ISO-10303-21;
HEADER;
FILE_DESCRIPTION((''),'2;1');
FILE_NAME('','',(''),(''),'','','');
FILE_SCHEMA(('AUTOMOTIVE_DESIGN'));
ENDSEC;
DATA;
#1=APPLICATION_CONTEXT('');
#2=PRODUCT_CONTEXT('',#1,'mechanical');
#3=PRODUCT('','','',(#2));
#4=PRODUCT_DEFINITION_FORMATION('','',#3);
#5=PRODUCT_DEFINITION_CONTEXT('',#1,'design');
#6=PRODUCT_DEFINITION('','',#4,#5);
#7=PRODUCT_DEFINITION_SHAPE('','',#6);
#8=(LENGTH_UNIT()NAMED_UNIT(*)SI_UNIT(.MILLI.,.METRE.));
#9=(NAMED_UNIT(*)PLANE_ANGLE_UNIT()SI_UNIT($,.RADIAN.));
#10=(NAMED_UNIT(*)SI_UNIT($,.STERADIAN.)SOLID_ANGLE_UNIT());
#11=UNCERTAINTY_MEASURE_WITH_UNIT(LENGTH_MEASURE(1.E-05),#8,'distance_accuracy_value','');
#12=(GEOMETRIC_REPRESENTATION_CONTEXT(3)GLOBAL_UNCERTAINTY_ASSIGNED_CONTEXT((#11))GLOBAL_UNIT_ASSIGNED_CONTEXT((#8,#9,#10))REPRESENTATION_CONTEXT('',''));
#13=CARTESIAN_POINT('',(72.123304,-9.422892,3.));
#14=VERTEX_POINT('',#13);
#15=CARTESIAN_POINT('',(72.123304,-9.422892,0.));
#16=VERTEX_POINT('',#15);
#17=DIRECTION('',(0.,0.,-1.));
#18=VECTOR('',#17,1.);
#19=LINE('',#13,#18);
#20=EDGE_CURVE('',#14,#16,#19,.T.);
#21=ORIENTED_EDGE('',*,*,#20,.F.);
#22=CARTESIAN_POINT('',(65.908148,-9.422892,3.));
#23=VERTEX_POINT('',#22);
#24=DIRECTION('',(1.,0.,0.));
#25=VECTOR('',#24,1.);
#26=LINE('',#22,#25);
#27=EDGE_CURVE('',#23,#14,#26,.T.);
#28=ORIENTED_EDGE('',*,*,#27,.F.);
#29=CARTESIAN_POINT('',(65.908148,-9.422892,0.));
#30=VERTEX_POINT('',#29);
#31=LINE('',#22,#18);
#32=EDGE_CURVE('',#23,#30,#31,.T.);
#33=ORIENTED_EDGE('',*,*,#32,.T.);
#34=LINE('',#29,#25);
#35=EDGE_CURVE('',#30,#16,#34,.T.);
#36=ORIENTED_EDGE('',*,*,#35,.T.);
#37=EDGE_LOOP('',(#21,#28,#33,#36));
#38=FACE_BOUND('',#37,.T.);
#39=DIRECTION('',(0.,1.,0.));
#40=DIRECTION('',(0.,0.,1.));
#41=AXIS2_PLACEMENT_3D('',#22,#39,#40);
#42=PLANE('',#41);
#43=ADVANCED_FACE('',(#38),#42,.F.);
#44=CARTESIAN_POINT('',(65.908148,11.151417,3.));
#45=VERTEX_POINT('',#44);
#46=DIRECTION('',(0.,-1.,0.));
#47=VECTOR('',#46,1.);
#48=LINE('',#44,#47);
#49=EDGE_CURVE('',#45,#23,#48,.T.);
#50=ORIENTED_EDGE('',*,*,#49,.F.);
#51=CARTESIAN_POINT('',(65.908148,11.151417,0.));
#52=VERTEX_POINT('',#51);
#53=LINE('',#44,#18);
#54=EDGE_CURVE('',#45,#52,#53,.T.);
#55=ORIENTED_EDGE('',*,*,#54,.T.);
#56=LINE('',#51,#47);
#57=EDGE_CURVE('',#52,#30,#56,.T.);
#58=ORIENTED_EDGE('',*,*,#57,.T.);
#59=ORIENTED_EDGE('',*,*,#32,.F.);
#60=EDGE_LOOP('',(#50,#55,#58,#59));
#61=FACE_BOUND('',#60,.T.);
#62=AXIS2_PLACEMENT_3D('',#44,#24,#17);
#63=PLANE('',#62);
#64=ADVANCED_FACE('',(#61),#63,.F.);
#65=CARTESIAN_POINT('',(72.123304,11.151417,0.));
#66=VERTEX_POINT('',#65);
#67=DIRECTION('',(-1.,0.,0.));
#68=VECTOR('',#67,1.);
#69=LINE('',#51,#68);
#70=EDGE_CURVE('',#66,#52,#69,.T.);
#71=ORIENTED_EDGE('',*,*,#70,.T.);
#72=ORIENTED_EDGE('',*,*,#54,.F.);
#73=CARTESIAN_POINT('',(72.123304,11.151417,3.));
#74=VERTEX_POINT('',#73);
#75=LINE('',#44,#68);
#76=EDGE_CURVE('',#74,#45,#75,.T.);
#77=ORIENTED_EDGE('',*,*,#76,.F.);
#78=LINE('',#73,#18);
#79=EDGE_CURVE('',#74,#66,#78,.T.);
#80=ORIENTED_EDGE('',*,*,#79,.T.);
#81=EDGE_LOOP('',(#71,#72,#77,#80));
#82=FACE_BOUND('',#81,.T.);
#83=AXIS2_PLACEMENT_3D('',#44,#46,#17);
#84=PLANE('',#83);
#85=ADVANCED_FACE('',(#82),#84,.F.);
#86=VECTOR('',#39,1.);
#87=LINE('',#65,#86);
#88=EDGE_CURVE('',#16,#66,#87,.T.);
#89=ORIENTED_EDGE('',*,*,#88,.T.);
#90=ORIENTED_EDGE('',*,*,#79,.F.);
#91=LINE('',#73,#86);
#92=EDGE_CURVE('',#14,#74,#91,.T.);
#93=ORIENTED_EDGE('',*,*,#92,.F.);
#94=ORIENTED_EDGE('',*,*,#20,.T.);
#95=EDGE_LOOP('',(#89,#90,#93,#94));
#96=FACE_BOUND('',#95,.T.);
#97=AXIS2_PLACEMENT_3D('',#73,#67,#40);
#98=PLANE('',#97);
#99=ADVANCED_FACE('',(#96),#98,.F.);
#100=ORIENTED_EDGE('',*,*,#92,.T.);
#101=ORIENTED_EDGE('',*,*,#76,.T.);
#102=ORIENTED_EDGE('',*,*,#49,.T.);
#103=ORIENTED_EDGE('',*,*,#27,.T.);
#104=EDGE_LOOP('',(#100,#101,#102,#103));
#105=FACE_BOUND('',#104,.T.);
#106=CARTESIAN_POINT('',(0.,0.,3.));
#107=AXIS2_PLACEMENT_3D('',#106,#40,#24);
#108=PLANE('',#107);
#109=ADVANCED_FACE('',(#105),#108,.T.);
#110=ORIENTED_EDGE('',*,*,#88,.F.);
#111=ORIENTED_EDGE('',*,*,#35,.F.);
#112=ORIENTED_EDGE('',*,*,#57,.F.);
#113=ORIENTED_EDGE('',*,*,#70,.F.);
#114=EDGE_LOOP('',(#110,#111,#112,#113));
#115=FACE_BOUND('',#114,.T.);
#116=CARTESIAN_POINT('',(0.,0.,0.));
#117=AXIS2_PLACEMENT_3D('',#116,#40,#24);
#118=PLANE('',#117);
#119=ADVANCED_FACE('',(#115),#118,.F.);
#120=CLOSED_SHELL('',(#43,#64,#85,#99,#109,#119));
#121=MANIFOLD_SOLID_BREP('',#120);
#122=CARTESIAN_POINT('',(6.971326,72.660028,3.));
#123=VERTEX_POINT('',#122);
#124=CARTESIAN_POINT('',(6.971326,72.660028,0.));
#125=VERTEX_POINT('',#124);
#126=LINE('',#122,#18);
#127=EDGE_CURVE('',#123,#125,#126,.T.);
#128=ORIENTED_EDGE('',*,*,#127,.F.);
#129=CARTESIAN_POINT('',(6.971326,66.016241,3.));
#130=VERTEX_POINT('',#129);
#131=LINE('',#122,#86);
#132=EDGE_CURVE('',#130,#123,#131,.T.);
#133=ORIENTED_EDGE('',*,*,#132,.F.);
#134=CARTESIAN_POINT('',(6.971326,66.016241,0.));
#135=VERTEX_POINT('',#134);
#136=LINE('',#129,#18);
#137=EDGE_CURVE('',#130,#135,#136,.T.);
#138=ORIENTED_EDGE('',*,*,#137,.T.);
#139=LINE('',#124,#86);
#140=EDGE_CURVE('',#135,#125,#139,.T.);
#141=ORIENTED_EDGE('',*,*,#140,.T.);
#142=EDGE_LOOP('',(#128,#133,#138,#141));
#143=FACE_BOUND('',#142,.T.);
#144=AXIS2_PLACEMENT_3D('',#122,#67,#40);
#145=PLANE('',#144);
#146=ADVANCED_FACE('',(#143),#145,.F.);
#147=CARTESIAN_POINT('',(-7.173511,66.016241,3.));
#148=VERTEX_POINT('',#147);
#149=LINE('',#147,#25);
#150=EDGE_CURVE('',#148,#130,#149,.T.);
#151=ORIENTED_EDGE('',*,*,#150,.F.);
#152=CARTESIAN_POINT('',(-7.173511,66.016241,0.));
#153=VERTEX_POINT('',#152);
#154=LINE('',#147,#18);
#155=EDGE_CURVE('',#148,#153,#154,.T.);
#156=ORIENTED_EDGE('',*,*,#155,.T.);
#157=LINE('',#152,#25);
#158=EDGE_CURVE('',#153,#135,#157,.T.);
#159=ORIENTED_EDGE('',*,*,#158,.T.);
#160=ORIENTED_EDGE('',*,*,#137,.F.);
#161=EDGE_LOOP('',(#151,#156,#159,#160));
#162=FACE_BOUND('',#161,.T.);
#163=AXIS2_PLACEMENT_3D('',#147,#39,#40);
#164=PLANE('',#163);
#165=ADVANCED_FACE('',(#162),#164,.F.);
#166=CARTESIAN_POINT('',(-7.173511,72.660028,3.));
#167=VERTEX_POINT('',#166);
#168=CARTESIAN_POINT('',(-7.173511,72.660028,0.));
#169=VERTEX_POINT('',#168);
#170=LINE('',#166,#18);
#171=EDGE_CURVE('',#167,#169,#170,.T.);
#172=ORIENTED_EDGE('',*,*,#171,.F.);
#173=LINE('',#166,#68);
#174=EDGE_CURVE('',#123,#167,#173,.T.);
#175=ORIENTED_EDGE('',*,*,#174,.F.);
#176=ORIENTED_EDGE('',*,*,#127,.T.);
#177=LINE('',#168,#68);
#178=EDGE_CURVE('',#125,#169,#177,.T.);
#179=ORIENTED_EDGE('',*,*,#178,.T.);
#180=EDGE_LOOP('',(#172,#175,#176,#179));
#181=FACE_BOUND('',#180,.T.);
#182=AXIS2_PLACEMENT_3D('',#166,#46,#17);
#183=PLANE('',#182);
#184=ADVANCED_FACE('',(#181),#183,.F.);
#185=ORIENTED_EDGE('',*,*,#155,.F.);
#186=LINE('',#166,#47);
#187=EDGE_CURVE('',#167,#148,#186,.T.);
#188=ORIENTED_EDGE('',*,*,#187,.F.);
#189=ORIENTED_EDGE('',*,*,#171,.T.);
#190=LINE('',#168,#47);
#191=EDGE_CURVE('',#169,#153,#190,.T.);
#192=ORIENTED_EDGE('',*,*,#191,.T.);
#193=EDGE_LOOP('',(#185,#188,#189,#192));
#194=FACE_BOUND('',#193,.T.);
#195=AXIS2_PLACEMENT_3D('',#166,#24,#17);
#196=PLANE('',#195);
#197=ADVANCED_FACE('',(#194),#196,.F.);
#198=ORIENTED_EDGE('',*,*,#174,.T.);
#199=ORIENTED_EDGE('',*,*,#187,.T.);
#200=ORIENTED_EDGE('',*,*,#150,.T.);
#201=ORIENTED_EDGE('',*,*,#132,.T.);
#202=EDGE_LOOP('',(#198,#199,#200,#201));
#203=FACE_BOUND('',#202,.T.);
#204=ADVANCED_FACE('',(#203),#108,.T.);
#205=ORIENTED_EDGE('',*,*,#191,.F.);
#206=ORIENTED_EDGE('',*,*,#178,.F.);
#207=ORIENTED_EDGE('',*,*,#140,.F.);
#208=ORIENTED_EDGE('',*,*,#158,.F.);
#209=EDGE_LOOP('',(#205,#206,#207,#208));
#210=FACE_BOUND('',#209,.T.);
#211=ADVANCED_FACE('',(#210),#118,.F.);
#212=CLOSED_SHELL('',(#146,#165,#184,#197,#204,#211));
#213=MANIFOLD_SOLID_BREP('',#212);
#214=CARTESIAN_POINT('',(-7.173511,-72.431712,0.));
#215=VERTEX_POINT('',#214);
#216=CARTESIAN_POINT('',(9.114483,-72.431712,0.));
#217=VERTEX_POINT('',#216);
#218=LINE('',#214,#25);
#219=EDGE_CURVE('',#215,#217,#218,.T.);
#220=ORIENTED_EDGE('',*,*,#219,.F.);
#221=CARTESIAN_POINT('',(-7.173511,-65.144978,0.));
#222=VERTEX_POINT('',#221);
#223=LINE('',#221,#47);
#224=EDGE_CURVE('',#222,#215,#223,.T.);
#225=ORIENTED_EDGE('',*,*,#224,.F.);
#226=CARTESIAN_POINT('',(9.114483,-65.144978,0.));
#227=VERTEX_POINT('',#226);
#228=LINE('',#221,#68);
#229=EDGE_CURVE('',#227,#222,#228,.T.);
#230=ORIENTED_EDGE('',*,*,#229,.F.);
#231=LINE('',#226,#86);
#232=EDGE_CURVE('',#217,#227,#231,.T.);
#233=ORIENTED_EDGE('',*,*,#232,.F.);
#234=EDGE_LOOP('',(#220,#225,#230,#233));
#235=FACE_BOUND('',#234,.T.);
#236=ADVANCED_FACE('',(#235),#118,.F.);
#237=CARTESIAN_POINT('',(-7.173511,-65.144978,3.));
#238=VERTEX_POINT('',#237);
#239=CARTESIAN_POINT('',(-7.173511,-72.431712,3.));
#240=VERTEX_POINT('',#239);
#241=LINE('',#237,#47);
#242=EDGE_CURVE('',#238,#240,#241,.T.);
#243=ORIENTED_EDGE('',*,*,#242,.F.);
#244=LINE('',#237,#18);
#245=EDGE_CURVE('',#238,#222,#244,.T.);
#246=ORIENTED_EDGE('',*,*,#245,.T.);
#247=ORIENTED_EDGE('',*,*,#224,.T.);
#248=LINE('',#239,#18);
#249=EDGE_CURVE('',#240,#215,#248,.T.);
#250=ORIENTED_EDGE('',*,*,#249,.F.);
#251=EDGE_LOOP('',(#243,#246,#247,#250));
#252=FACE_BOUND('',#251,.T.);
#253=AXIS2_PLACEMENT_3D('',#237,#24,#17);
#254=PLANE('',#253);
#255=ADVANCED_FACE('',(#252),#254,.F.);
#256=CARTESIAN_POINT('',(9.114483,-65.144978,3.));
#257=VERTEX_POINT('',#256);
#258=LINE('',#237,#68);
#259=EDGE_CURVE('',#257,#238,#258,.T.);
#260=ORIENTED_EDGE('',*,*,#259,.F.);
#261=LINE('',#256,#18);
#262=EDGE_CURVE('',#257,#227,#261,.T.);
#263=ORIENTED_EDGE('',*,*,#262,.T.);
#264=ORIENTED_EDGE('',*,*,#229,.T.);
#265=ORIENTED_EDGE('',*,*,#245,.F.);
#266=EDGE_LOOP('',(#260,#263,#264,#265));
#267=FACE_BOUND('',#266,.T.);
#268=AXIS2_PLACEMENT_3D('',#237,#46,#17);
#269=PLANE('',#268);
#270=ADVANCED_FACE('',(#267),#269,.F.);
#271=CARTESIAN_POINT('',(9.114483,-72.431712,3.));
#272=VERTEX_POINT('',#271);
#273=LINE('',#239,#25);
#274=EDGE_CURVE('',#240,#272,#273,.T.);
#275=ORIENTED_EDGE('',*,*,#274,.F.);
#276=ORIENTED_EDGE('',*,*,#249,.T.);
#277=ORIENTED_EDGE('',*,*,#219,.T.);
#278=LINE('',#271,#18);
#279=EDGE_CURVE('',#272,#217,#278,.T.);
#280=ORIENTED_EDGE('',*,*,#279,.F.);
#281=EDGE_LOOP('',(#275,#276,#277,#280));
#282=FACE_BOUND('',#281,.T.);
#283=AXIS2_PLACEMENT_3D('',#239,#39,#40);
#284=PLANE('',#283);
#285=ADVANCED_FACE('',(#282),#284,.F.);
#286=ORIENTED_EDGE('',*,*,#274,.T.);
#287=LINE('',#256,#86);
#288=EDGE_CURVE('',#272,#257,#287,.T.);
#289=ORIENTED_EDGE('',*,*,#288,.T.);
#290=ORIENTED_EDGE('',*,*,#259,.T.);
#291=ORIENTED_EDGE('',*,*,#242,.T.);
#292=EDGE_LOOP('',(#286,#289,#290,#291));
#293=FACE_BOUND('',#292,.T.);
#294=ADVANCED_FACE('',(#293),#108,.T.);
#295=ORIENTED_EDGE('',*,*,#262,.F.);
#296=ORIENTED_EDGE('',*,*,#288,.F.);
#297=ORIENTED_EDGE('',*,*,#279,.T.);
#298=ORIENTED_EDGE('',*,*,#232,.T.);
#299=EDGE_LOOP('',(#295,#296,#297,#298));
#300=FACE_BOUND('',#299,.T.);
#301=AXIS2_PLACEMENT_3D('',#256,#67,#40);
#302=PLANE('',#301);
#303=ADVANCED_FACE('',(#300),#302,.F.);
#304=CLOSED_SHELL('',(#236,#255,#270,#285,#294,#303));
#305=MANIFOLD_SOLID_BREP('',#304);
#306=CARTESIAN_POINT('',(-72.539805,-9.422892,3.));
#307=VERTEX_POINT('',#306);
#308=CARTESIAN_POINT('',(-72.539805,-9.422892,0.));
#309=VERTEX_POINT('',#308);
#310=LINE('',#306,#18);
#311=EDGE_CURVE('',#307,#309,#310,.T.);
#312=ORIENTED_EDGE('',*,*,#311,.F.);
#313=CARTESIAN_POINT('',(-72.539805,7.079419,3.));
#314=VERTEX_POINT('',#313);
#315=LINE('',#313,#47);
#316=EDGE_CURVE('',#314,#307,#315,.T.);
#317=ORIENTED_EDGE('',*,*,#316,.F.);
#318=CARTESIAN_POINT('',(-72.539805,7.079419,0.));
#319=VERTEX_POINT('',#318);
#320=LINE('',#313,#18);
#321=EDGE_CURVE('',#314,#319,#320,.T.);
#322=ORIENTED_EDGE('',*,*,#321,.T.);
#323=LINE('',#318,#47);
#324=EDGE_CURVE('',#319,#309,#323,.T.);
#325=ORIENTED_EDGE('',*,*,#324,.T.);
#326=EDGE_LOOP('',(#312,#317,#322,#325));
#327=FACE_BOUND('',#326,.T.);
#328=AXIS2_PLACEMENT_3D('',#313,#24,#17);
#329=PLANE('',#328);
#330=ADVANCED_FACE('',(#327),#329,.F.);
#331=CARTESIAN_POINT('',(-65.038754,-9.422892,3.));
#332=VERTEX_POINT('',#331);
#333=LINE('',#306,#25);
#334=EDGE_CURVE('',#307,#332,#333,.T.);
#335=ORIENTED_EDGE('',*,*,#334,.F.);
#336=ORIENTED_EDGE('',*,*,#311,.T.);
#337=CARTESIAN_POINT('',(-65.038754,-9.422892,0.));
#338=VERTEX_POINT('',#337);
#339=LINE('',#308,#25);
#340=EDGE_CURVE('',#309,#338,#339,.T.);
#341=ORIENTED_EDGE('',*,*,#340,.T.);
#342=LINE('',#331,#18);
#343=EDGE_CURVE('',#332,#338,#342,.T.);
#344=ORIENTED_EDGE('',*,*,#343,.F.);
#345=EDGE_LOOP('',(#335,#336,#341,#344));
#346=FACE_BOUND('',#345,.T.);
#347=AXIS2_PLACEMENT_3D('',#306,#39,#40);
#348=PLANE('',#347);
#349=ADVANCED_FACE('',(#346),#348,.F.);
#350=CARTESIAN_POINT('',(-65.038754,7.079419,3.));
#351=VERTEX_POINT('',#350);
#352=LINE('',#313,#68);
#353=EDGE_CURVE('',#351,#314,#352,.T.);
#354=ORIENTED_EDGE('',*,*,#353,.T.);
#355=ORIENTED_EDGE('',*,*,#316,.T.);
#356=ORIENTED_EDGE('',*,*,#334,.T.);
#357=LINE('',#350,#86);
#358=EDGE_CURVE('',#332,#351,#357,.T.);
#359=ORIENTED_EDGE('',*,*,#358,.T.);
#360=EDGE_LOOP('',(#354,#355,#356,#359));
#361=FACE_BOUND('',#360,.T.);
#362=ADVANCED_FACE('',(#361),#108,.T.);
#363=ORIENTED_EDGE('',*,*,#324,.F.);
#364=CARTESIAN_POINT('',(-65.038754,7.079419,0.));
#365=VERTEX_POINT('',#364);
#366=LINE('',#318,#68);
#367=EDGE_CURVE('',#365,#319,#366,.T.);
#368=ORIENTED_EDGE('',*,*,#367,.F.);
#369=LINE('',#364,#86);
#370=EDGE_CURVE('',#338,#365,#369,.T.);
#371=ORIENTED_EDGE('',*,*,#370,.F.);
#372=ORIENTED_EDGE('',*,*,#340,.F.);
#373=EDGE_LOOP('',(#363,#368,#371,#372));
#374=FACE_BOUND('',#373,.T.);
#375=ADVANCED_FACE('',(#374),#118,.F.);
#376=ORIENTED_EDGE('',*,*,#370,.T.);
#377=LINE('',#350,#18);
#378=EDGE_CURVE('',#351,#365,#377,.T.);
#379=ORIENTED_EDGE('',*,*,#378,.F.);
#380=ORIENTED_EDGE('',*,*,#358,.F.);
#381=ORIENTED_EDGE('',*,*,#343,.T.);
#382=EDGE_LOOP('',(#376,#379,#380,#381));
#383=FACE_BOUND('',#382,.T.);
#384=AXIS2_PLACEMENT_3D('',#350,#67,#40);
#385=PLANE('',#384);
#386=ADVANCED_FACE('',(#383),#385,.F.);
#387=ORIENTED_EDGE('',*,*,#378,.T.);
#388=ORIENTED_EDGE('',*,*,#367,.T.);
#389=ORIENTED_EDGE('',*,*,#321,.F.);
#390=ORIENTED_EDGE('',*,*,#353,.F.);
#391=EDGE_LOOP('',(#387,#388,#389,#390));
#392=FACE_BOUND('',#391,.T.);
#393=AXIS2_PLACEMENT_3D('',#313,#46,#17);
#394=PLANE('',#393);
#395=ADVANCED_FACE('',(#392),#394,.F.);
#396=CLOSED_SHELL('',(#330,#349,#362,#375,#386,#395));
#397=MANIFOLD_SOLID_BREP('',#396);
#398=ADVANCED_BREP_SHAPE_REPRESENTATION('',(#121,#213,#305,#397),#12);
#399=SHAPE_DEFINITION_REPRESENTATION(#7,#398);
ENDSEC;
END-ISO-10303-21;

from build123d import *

# Parameters (mm, degrees)
ESQUISSE2_W          = 14.14483726
ESQUISSE2_H          = 6.643787198
BOSS_EXTRU_1_DEPTH   = 3
ESQUISSE2_W_2        = 7.501050062
ESQUISSE2_H_2        = 16.502310136
BOSS_EXTRU_1_2_DEPTH = 3
ESQUISSE2_W_3        = 6.215155766
ESQUISSE2_H_3        = 20.574308742
BOSS_EXTRU_1_3_DEPTH = 3
ESQUISSE2_W_4        = 16.28799442
ESQUISSE2_H_4        = 7.286734346
BOSS_EXTRU_1_4_DEPTH = 3


with BuildPart() as part:
    # Esquisse2 → Boss.-Extru.1 (new body)
    with BuildSketch(Plane.XY):
        with Locations((-0.101092489, 69.338134115)):
            Rectangle(ESQUISSE2_W, ESQUISSE2_H)
    extrude(amount=BOSS_EXTRU_1_DEPTH)


with BuildPart() as body_2:
    # Esquisse2 → Boss.-Extru.1 2 (new body)
    with BuildSketch(Plane.XY):
        with Locations((-68.789279487, -1.171736469)):
            Rectangle(ESQUISSE2_W_2, ESQUISSE2_H_2)
    extrude(amount=BOSS_EXTRU_1_2_DEPTH)


with BuildPart() as body_3:
    # Esquisse2 → Boss.-Extru.1 3 (new body)
    with BuildSketch(Plane.XY):
        with Locations((69.01572594, 0.864262834)):
            Rectangle(ESQUISSE2_W_3, ESQUISSE2_H_3)
    extrude(amount=BOSS_EXTRU_1_3_DEPTH)


with BuildPart() as body_4:
    # Esquisse2 → Boss.-Extru.1 4 (new body)
    with BuildSketch(Plane.XY):
        with Locations((0.970486091, -68.788344886)):
            Rectangle(ESQUISSE2_W_4, ESQUISSE2_H_4)
    extrude(amount=BOSS_EXTRU_1_4_DEPTH)


solid = Compound([part.part, body_2.part, body_3.part, body_4.part])
